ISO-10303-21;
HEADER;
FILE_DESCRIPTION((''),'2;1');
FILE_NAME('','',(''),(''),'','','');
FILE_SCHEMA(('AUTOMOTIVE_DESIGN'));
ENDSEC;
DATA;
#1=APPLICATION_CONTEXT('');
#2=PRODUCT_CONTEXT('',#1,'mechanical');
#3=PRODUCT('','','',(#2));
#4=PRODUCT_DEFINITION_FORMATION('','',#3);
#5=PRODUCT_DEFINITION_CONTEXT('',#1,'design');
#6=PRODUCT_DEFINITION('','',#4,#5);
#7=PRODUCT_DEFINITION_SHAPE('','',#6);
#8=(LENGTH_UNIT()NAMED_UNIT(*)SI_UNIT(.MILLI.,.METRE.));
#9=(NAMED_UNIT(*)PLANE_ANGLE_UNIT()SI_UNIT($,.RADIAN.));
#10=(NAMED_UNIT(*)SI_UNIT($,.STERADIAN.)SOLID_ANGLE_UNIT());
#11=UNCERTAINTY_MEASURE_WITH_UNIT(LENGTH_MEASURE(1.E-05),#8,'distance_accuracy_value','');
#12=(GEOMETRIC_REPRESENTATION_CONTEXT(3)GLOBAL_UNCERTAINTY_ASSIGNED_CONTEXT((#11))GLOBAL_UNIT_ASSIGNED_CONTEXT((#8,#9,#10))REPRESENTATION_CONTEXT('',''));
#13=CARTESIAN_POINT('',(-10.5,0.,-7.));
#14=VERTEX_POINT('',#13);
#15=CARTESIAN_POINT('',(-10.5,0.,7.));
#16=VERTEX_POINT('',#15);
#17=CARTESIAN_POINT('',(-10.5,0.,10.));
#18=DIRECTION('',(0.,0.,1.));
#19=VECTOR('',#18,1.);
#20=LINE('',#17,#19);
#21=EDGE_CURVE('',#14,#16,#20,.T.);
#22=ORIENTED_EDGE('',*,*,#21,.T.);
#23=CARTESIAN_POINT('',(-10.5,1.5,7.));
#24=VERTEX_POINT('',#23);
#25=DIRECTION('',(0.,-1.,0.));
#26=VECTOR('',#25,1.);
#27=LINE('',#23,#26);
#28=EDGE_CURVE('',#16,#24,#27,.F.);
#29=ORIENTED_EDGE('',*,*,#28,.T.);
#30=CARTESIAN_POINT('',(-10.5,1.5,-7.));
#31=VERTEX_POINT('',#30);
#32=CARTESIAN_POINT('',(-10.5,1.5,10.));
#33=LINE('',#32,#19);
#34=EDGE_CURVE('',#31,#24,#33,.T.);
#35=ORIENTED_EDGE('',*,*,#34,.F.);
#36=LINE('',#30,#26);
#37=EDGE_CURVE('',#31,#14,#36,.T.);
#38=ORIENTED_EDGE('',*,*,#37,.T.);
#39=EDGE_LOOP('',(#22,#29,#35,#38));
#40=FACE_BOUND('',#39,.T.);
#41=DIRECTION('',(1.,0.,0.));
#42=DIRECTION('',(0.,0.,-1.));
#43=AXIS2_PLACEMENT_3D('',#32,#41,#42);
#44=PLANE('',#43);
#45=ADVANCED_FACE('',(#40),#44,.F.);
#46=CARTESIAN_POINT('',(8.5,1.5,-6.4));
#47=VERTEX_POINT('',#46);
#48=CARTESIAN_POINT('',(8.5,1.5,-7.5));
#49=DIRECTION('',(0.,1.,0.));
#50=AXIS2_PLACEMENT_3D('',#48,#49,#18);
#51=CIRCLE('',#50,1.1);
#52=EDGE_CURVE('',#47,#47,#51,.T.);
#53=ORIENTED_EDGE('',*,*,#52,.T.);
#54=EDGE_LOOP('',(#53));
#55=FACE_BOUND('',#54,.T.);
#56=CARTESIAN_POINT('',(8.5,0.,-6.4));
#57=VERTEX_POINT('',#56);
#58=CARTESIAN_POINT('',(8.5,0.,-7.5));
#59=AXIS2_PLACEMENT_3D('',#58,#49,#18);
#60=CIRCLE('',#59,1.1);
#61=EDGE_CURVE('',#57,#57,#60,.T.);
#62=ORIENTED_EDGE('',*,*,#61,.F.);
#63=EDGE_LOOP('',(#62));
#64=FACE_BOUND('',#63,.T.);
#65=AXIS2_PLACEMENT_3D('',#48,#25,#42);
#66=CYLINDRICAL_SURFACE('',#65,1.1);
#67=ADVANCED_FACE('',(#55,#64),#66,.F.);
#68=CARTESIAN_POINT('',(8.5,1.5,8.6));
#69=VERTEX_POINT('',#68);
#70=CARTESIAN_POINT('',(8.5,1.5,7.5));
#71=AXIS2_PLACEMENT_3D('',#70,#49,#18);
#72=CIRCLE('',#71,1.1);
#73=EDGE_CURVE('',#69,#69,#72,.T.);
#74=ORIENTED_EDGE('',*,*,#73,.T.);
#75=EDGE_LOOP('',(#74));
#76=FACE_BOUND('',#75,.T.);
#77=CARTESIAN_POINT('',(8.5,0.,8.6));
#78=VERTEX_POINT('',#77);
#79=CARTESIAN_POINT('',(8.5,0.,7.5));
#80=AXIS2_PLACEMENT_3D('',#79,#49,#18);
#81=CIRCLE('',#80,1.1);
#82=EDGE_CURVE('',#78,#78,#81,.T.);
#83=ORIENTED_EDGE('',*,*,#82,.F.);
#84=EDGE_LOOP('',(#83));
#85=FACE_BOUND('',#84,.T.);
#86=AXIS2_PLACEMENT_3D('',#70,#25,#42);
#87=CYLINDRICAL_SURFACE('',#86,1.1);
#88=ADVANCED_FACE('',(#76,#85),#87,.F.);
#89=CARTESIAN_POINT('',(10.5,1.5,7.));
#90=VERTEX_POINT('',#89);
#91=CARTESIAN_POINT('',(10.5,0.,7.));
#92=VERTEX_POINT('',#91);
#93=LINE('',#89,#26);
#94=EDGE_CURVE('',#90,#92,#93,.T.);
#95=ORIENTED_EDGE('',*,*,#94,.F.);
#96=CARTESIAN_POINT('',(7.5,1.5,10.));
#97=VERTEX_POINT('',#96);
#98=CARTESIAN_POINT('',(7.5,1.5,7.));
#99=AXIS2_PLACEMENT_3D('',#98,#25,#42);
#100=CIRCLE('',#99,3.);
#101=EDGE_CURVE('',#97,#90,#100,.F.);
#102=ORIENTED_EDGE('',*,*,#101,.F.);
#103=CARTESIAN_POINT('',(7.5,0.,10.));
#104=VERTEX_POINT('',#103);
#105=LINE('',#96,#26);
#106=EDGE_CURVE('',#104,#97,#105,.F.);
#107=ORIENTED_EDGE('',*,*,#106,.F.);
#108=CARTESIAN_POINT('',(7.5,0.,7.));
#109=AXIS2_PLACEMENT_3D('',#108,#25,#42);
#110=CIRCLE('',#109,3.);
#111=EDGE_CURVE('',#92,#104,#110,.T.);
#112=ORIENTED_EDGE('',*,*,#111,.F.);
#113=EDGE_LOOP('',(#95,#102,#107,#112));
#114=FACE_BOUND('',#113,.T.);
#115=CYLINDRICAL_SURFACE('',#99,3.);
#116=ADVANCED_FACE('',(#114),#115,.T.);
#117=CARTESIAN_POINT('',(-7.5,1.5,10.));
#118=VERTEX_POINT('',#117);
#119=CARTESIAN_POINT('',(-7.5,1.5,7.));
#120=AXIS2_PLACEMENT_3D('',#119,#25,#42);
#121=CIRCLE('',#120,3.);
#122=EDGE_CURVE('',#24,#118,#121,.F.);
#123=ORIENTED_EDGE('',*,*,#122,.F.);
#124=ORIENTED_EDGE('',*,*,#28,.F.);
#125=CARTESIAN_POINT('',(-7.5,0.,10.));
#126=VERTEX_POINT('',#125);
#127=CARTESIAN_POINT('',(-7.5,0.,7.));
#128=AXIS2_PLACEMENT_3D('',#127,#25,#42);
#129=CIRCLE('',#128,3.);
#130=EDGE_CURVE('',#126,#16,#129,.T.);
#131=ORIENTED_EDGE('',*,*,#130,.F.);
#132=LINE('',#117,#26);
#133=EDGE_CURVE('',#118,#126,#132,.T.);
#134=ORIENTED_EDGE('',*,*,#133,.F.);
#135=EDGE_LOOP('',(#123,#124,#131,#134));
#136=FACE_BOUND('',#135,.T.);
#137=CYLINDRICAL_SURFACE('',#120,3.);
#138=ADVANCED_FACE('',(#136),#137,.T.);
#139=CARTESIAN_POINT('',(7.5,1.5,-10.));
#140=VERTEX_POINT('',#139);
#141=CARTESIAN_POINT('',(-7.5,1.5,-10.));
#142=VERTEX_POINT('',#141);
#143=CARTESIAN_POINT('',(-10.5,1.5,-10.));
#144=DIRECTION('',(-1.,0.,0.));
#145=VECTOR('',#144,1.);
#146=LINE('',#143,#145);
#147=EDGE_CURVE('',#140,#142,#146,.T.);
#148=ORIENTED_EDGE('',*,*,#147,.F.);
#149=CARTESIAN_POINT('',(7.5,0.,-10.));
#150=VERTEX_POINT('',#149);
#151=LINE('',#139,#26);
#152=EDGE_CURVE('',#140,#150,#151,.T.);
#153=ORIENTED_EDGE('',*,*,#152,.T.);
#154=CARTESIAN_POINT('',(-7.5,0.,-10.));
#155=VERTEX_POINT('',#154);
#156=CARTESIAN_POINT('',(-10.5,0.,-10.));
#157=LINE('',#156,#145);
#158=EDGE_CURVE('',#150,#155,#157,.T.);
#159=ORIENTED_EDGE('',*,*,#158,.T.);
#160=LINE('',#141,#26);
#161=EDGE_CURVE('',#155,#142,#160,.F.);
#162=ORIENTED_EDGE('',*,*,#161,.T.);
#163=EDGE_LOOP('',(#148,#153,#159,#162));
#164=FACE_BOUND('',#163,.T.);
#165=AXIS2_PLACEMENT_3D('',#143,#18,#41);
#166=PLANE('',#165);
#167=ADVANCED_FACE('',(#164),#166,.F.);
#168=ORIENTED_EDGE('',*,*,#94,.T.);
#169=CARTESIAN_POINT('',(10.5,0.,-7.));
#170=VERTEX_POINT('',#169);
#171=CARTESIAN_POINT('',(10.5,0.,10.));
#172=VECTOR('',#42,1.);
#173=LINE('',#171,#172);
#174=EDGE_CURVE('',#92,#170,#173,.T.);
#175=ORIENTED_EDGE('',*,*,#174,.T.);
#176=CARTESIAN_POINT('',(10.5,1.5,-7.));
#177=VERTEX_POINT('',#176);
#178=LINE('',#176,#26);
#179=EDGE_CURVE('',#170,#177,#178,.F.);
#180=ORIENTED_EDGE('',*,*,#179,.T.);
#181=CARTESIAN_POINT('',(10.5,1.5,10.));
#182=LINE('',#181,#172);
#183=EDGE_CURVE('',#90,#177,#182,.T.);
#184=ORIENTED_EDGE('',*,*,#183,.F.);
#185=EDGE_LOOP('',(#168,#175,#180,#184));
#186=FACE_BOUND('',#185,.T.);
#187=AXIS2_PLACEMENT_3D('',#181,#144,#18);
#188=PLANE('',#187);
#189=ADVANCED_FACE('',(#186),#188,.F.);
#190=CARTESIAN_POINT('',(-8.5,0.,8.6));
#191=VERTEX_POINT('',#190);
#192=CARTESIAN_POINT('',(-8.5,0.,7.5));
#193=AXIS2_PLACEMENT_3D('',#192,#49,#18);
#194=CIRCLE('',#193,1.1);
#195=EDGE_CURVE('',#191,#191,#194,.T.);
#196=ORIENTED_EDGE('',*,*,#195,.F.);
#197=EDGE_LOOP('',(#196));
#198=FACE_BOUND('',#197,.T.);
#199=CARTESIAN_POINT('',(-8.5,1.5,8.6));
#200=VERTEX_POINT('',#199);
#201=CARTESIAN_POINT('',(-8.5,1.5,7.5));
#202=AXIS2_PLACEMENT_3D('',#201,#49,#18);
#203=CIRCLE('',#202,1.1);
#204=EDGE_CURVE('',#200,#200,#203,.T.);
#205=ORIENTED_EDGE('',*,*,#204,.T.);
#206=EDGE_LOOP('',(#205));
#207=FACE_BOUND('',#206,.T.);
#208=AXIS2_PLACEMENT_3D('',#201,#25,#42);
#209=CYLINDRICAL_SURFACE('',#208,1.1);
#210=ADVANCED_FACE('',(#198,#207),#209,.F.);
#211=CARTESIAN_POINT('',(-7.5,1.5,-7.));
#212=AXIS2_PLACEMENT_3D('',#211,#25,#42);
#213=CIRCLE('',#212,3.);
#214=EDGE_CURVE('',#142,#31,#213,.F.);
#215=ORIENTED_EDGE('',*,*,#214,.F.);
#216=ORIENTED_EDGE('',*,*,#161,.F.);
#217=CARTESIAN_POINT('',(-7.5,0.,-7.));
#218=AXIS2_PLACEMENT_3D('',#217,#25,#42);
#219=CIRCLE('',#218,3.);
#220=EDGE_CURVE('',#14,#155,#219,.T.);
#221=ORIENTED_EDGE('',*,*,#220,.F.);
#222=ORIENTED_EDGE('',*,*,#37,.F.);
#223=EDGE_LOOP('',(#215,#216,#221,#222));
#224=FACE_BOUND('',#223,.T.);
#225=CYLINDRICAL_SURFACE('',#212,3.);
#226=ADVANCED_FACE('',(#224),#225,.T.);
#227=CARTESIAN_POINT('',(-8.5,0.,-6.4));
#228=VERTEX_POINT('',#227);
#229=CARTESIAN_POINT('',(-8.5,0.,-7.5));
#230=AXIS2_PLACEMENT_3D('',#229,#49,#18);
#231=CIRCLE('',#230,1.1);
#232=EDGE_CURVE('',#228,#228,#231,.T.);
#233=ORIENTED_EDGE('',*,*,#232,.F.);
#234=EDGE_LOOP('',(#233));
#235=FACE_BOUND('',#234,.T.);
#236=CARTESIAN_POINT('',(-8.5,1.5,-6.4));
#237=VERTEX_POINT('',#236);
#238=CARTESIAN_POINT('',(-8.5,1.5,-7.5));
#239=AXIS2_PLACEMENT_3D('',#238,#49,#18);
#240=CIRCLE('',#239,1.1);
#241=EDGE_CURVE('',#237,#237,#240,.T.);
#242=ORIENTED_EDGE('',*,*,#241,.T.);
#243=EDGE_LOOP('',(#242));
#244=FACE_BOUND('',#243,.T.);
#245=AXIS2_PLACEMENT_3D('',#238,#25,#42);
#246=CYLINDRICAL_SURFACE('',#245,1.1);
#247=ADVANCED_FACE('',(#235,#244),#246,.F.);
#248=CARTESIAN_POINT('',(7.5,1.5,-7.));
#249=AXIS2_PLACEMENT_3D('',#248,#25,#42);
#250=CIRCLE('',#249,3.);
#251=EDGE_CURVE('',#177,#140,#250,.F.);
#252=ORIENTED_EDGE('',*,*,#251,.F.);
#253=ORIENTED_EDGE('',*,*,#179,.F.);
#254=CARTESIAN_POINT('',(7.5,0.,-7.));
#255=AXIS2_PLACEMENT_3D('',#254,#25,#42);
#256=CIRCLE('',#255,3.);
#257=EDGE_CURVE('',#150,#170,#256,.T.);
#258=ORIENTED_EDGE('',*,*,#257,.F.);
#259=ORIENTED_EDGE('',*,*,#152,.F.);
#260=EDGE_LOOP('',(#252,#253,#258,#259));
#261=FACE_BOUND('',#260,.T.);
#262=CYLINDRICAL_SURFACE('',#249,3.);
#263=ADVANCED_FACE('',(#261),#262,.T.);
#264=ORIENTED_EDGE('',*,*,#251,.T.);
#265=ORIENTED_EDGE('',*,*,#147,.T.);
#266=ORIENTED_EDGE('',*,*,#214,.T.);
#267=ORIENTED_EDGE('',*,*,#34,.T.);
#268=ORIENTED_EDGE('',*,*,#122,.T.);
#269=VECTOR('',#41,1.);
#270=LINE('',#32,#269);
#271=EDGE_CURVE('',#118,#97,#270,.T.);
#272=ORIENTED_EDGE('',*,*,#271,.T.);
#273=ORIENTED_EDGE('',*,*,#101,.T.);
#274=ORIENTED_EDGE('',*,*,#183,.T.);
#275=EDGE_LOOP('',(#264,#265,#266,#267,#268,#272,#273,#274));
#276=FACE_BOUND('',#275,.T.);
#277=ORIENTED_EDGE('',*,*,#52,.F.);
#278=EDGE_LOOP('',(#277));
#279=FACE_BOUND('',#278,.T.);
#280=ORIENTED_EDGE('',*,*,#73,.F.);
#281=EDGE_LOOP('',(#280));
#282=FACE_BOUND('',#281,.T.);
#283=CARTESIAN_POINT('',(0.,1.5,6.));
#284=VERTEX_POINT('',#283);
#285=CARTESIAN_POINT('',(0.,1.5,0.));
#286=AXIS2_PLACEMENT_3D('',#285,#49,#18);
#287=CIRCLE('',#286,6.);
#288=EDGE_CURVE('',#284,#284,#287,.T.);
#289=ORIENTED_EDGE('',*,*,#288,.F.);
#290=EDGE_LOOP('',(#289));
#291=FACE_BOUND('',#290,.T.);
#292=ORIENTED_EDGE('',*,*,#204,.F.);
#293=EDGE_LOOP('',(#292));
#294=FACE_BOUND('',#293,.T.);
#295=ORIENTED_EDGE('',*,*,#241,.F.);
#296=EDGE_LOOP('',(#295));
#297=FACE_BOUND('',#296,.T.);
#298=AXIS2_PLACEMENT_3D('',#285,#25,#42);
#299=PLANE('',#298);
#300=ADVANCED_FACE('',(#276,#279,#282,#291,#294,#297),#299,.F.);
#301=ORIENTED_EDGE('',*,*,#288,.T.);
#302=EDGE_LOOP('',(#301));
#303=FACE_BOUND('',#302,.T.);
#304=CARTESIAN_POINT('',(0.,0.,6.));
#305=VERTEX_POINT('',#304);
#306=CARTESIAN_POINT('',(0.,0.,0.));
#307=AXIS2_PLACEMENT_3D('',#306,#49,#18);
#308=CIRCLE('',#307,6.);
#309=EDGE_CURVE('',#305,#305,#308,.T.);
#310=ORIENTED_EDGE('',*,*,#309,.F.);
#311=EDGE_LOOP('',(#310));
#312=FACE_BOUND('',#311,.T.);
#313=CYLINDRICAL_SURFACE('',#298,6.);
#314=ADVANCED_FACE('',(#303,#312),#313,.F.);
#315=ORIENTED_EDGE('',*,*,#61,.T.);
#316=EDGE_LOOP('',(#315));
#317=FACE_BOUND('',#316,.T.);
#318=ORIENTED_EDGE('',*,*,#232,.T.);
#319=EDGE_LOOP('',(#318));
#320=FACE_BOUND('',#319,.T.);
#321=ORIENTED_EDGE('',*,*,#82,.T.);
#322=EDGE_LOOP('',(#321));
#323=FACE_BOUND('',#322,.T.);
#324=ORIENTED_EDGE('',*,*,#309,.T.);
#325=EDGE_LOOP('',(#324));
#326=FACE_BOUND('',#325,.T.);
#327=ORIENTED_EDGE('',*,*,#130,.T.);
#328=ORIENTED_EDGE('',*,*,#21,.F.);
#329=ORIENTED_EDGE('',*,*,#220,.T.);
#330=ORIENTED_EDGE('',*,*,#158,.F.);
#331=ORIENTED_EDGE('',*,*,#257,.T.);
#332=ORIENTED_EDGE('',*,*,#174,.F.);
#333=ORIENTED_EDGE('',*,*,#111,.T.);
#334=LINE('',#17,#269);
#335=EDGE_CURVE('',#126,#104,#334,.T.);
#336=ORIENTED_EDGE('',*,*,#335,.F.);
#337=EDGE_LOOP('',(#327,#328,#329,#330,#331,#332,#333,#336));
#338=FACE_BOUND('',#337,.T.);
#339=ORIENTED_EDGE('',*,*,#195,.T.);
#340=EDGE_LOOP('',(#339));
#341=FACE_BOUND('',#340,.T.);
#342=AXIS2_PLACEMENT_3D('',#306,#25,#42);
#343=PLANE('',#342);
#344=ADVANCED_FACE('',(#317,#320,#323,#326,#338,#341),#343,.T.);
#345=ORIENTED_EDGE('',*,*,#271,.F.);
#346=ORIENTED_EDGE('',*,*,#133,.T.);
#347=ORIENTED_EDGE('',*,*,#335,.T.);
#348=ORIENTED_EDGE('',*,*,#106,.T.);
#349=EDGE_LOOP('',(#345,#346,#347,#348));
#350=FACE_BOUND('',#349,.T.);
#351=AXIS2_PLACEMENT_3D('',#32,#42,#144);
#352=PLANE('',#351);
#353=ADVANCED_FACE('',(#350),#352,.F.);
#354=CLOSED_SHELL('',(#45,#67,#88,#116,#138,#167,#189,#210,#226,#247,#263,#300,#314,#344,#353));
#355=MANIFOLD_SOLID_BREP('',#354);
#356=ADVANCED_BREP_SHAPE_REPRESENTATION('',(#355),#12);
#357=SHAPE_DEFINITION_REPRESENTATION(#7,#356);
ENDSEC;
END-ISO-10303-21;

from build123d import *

# Parameters (mm, degrees)
SKETCH1_W           = 21
SKETCH1_H           = 20
SKETCH1_R           = 1.1
SKETCH1_R_2         = 6
BOSS_EXTRUDE1_DEPTH = 1.5
FILLET1_R           = 3


with BuildPart() as part:
    # Sketch1 → Boss-Extrude1 (new body)
    with BuildSketch(Plane(origin=(0, 0, 0), x_dir=(1, 0, 0), z_dir=(0, 1, 0))):
        Rectangle(SKETCH1_W, SKETCH1_H)
        with Locations(Location((8.5, 7.5, 0), (0, 0, 270))):
            Circle(SKETCH1_R, mode=Mode.SUBTRACT)
        with Locations(Location((-8.5, 7.5, 0), (0, 0, 270))):
            Circle(SKETCH1_R, mode=Mode.SUBTRACT)
        with Locations(Location((-8.5, -7.5, 0), (0, 0, 270))):
            Circle(SKETCH1_R, mode=Mode.SUBTRACT)
        with Locations(Location((8.5, -7.5, 0), (0, 0, 270))):
            Circle(SKETCH1_R, mode=Mode.SUBTRACT)
        with Locations(Location((0, 0, 0), (0, 0, 270))):
            Circle(SKETCH1_R_2, mode=Mode.SUBTRACT)
    extrude(amount=BOSS_EXTRUDE1_DEPTH)

    # Fillet1
    fillet1_edges = [part.edges().sort_by_distance(p)[0] for p in [
        (10.5, 0.75, 10),
        (-10.5, 0.75, 10),
        (-10.5, 0.75, -10),
        (10.5, 0.75, -10),
    ]]
    fillet(fillet1_edges, radius=FILLET1_R)


solid = part.part
